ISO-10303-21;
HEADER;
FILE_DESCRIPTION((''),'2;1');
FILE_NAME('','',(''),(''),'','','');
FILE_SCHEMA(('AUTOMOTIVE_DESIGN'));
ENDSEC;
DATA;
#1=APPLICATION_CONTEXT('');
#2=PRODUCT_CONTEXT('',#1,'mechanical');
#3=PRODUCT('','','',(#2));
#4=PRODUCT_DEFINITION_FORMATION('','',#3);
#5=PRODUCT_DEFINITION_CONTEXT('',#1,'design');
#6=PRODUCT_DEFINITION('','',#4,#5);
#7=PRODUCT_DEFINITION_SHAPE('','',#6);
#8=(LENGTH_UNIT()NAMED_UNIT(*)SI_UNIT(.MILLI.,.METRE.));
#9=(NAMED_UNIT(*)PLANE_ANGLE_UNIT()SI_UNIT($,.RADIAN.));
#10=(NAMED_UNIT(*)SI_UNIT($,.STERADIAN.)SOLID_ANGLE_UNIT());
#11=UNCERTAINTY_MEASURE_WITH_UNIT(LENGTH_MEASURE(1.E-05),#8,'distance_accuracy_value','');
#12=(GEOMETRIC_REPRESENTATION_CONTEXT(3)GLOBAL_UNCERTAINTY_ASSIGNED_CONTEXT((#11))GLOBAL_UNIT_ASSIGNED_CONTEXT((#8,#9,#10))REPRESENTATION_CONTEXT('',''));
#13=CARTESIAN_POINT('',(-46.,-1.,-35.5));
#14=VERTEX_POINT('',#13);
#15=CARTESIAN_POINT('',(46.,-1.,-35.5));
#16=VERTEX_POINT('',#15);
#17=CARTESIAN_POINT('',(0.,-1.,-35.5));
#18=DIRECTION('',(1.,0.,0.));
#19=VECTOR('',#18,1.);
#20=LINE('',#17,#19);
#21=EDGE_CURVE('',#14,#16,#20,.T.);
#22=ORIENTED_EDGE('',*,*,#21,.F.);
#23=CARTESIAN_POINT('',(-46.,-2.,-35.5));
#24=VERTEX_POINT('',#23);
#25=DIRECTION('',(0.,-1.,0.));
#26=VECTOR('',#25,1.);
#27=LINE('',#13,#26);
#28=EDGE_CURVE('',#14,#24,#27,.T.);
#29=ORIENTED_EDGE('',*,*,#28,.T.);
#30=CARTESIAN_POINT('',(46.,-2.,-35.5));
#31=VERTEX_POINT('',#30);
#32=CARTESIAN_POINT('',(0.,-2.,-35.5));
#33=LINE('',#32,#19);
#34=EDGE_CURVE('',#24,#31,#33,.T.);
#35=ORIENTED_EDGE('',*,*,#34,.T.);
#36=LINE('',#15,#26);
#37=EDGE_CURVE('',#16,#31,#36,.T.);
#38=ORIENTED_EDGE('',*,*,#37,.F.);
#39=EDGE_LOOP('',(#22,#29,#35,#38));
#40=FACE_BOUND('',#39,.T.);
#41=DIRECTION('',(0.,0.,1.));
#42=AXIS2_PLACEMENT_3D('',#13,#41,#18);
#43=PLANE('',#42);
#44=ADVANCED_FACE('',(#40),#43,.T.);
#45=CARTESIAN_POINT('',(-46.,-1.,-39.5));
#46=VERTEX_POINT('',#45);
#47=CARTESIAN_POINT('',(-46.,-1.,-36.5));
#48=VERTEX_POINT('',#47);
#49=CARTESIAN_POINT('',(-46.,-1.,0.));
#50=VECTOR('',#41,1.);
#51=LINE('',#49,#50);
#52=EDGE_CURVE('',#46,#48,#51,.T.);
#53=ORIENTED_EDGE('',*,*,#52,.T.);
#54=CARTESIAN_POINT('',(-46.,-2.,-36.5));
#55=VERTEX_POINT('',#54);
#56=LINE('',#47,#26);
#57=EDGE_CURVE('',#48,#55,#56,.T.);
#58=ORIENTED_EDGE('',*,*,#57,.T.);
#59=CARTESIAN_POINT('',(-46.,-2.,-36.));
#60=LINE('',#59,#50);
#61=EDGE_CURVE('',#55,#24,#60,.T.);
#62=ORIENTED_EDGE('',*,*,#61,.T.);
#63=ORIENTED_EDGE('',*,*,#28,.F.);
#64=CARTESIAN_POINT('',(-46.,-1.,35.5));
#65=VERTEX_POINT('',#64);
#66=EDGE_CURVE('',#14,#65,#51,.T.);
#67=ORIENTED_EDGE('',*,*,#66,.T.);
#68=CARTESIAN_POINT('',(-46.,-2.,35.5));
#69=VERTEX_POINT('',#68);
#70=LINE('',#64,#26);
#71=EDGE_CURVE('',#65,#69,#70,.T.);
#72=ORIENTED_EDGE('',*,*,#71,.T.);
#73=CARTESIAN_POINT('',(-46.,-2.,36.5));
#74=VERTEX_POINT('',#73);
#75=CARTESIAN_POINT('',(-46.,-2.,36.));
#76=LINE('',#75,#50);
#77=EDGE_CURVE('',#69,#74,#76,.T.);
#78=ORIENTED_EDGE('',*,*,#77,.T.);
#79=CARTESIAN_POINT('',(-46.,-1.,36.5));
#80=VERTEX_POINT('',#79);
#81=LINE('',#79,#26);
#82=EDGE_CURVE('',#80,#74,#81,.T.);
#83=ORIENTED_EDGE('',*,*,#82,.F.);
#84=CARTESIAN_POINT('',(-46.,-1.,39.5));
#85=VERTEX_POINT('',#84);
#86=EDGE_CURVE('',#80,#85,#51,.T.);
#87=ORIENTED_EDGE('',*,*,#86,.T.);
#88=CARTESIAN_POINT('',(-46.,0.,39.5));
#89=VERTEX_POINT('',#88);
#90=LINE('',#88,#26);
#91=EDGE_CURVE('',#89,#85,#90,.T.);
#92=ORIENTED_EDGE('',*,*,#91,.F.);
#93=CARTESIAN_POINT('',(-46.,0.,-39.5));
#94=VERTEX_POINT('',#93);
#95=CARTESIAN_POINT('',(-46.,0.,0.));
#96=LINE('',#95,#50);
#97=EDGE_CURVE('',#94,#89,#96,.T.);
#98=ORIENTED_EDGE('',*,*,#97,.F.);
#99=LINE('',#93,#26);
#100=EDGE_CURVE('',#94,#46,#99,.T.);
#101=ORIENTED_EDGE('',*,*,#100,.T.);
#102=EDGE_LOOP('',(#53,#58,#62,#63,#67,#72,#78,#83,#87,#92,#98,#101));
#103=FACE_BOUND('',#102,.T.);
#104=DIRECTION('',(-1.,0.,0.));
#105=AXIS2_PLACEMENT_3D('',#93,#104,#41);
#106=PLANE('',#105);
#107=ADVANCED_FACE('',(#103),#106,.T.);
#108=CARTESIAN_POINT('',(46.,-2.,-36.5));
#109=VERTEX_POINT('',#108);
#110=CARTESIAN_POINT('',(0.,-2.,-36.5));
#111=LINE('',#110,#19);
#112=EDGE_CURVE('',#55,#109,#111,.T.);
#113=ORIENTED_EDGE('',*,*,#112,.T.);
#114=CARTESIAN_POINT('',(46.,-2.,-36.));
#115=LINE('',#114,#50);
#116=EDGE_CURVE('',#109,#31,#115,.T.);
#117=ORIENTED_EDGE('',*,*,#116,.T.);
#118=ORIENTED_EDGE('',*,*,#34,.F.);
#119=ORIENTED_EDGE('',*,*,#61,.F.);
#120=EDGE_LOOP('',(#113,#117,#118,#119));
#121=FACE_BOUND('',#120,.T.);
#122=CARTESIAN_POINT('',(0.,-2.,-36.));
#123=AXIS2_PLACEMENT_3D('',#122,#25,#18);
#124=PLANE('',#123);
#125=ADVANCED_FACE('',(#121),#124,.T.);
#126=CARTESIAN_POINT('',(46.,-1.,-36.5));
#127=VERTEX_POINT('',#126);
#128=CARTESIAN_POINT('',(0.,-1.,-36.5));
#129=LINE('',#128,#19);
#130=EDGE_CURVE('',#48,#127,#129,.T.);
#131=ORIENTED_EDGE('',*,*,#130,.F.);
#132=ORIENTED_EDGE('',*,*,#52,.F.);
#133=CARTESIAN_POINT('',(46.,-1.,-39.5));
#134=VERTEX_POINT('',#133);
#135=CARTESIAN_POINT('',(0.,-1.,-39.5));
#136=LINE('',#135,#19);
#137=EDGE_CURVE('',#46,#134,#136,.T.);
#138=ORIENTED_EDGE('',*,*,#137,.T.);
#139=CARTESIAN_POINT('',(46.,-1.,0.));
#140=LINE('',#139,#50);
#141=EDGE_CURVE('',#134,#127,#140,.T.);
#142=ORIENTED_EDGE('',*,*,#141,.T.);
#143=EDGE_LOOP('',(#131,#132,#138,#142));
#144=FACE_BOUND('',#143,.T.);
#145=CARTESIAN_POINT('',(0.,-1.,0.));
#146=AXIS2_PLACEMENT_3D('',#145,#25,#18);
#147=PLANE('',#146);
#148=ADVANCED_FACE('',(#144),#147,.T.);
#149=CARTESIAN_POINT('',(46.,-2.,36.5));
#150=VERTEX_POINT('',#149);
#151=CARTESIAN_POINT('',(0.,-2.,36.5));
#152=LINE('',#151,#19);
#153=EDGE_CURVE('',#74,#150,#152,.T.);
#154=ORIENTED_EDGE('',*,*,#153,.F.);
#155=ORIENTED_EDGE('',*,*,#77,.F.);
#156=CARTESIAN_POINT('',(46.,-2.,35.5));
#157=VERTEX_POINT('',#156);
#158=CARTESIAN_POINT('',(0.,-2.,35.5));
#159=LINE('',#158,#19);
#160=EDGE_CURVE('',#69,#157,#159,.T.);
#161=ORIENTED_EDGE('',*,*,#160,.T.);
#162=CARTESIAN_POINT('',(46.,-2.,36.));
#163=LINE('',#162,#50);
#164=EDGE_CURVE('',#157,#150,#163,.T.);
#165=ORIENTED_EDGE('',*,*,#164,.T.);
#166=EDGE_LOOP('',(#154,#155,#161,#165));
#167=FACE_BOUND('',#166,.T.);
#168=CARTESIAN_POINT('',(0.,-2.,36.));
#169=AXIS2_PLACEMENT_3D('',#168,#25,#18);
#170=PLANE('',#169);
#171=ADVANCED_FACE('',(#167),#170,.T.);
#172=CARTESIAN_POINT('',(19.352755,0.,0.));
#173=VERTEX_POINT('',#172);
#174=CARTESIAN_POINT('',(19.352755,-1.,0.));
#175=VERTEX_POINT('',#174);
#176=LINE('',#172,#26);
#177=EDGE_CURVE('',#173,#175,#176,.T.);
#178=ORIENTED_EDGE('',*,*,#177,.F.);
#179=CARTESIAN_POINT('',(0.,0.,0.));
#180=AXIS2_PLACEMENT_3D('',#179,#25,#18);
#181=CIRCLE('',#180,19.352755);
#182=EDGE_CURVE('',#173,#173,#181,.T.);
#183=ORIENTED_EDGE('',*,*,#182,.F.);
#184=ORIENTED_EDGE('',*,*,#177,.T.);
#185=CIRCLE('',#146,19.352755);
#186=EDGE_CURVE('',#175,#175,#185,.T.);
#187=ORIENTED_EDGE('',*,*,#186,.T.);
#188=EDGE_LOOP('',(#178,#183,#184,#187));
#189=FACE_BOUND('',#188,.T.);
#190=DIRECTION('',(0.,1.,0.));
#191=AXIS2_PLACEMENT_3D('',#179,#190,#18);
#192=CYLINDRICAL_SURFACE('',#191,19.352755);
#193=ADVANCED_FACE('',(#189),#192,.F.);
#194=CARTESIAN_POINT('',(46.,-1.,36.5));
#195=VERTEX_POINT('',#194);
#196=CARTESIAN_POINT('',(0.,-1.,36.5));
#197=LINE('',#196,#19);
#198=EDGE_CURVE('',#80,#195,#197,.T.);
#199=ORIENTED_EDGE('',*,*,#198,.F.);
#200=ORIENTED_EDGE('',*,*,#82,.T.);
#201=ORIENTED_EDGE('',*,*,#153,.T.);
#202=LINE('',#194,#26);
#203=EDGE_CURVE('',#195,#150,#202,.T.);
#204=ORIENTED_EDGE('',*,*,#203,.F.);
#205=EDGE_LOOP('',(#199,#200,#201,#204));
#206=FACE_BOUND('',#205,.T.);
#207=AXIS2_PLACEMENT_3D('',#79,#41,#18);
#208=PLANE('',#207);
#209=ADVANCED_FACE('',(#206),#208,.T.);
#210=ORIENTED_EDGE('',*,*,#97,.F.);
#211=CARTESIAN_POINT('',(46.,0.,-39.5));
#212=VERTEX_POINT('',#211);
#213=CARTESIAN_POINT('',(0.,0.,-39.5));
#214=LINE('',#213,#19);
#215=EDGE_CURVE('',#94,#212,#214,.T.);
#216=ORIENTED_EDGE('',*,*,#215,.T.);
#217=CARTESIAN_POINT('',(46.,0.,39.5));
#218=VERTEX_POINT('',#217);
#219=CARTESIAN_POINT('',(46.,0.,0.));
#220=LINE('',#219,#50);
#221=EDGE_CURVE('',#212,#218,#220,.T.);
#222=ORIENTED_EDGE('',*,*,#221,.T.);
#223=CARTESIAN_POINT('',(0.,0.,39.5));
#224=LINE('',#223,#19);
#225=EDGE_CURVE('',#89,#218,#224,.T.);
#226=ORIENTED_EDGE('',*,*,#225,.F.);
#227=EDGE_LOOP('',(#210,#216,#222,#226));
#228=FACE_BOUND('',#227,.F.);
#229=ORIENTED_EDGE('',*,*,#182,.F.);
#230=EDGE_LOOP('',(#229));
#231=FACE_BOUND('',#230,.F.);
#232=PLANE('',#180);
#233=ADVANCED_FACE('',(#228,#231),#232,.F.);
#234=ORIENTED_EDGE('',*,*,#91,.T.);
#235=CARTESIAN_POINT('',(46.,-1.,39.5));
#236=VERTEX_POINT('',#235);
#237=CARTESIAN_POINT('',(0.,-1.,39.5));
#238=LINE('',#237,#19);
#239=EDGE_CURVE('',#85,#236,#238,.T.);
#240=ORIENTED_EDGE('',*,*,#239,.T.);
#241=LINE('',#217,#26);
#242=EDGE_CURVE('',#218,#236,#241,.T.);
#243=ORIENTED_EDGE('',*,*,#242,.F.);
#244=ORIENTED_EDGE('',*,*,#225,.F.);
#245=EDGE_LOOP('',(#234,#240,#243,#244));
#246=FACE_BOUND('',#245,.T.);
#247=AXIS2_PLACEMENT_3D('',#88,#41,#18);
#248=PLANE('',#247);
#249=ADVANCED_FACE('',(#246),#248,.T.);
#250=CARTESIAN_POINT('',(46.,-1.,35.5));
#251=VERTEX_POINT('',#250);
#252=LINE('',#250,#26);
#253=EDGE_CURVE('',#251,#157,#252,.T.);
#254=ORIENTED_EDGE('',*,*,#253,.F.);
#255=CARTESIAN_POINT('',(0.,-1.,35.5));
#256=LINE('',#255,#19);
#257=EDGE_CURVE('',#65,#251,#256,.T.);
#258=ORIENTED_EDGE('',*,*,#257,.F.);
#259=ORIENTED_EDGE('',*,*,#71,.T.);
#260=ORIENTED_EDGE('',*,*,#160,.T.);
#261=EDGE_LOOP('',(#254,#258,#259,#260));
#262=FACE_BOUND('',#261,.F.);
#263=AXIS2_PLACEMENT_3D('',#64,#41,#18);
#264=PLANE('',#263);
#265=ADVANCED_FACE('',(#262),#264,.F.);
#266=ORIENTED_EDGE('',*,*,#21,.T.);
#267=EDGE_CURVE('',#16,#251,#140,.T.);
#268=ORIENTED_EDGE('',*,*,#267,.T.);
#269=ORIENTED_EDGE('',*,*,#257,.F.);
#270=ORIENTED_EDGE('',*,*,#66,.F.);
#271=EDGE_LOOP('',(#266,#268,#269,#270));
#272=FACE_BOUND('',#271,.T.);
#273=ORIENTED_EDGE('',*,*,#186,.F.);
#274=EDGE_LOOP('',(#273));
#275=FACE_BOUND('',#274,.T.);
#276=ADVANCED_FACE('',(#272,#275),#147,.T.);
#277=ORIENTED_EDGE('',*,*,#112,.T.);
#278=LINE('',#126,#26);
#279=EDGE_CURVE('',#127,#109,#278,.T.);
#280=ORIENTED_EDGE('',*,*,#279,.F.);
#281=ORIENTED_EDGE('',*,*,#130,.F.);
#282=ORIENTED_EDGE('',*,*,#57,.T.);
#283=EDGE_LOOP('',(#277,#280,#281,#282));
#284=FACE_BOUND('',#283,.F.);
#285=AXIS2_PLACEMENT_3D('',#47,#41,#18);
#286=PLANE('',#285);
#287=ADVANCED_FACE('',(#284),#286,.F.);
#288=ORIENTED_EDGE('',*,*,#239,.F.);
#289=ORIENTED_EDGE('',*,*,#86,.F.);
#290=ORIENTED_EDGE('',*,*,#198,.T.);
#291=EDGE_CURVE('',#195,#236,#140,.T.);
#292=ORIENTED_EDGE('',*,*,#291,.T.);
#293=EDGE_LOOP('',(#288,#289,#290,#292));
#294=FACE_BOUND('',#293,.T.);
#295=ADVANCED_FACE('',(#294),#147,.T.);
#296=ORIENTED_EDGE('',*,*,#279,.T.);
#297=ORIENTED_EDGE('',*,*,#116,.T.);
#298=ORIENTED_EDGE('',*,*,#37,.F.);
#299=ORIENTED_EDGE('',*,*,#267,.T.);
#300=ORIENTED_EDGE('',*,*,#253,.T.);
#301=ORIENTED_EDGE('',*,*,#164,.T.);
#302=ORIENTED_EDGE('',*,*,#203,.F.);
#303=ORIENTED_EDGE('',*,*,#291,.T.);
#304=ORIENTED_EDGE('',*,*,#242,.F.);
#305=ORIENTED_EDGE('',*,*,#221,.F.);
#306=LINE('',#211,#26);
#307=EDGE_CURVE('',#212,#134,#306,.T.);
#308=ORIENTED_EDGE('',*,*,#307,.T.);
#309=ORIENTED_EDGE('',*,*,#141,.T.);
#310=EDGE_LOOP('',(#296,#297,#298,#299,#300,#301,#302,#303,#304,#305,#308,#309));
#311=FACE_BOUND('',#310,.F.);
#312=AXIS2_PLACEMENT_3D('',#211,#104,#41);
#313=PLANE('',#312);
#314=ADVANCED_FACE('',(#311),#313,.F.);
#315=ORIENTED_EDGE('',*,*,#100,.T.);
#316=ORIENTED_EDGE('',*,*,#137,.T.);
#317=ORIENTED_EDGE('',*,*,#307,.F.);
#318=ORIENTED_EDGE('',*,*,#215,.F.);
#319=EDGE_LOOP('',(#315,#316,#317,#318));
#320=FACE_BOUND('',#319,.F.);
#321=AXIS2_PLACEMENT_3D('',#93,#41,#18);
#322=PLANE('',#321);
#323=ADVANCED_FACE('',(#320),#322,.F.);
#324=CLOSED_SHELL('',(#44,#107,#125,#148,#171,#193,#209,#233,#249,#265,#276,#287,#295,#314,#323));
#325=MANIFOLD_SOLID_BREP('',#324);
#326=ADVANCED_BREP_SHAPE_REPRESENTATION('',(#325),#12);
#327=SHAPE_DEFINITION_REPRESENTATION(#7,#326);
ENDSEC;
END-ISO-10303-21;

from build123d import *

# Parameters (mm, degrees)
F0_W     = 92
F0_H     = 79
F0_R     = 19.352755
F1_DEPTH = 1
F2_W     = 92
F2_H     = 1
F3_DEPTH = 1


with BuildPart() as f1:
    # F0 (on Front) → F1 (new body)
    with BuildSketch(Plane.XZ):
        Rectangle(F0_W, F0_H)
        Circle(F0_R, mode=Mode.SUBTRACT)
    extrude(amount=F1_DEPTH)

    # F2 (on face) → F3 (join)
    with BuildSketch(Plane.XZ.offset(1)):
        with Locations((0, 36)):
            Rectangle(F2_W, F2_H)
        with Locations((0, -36)):
            Rectangle(F2_W, F2_H)
    extrude(amount=F3_DEPTH)


solid = f1.part
